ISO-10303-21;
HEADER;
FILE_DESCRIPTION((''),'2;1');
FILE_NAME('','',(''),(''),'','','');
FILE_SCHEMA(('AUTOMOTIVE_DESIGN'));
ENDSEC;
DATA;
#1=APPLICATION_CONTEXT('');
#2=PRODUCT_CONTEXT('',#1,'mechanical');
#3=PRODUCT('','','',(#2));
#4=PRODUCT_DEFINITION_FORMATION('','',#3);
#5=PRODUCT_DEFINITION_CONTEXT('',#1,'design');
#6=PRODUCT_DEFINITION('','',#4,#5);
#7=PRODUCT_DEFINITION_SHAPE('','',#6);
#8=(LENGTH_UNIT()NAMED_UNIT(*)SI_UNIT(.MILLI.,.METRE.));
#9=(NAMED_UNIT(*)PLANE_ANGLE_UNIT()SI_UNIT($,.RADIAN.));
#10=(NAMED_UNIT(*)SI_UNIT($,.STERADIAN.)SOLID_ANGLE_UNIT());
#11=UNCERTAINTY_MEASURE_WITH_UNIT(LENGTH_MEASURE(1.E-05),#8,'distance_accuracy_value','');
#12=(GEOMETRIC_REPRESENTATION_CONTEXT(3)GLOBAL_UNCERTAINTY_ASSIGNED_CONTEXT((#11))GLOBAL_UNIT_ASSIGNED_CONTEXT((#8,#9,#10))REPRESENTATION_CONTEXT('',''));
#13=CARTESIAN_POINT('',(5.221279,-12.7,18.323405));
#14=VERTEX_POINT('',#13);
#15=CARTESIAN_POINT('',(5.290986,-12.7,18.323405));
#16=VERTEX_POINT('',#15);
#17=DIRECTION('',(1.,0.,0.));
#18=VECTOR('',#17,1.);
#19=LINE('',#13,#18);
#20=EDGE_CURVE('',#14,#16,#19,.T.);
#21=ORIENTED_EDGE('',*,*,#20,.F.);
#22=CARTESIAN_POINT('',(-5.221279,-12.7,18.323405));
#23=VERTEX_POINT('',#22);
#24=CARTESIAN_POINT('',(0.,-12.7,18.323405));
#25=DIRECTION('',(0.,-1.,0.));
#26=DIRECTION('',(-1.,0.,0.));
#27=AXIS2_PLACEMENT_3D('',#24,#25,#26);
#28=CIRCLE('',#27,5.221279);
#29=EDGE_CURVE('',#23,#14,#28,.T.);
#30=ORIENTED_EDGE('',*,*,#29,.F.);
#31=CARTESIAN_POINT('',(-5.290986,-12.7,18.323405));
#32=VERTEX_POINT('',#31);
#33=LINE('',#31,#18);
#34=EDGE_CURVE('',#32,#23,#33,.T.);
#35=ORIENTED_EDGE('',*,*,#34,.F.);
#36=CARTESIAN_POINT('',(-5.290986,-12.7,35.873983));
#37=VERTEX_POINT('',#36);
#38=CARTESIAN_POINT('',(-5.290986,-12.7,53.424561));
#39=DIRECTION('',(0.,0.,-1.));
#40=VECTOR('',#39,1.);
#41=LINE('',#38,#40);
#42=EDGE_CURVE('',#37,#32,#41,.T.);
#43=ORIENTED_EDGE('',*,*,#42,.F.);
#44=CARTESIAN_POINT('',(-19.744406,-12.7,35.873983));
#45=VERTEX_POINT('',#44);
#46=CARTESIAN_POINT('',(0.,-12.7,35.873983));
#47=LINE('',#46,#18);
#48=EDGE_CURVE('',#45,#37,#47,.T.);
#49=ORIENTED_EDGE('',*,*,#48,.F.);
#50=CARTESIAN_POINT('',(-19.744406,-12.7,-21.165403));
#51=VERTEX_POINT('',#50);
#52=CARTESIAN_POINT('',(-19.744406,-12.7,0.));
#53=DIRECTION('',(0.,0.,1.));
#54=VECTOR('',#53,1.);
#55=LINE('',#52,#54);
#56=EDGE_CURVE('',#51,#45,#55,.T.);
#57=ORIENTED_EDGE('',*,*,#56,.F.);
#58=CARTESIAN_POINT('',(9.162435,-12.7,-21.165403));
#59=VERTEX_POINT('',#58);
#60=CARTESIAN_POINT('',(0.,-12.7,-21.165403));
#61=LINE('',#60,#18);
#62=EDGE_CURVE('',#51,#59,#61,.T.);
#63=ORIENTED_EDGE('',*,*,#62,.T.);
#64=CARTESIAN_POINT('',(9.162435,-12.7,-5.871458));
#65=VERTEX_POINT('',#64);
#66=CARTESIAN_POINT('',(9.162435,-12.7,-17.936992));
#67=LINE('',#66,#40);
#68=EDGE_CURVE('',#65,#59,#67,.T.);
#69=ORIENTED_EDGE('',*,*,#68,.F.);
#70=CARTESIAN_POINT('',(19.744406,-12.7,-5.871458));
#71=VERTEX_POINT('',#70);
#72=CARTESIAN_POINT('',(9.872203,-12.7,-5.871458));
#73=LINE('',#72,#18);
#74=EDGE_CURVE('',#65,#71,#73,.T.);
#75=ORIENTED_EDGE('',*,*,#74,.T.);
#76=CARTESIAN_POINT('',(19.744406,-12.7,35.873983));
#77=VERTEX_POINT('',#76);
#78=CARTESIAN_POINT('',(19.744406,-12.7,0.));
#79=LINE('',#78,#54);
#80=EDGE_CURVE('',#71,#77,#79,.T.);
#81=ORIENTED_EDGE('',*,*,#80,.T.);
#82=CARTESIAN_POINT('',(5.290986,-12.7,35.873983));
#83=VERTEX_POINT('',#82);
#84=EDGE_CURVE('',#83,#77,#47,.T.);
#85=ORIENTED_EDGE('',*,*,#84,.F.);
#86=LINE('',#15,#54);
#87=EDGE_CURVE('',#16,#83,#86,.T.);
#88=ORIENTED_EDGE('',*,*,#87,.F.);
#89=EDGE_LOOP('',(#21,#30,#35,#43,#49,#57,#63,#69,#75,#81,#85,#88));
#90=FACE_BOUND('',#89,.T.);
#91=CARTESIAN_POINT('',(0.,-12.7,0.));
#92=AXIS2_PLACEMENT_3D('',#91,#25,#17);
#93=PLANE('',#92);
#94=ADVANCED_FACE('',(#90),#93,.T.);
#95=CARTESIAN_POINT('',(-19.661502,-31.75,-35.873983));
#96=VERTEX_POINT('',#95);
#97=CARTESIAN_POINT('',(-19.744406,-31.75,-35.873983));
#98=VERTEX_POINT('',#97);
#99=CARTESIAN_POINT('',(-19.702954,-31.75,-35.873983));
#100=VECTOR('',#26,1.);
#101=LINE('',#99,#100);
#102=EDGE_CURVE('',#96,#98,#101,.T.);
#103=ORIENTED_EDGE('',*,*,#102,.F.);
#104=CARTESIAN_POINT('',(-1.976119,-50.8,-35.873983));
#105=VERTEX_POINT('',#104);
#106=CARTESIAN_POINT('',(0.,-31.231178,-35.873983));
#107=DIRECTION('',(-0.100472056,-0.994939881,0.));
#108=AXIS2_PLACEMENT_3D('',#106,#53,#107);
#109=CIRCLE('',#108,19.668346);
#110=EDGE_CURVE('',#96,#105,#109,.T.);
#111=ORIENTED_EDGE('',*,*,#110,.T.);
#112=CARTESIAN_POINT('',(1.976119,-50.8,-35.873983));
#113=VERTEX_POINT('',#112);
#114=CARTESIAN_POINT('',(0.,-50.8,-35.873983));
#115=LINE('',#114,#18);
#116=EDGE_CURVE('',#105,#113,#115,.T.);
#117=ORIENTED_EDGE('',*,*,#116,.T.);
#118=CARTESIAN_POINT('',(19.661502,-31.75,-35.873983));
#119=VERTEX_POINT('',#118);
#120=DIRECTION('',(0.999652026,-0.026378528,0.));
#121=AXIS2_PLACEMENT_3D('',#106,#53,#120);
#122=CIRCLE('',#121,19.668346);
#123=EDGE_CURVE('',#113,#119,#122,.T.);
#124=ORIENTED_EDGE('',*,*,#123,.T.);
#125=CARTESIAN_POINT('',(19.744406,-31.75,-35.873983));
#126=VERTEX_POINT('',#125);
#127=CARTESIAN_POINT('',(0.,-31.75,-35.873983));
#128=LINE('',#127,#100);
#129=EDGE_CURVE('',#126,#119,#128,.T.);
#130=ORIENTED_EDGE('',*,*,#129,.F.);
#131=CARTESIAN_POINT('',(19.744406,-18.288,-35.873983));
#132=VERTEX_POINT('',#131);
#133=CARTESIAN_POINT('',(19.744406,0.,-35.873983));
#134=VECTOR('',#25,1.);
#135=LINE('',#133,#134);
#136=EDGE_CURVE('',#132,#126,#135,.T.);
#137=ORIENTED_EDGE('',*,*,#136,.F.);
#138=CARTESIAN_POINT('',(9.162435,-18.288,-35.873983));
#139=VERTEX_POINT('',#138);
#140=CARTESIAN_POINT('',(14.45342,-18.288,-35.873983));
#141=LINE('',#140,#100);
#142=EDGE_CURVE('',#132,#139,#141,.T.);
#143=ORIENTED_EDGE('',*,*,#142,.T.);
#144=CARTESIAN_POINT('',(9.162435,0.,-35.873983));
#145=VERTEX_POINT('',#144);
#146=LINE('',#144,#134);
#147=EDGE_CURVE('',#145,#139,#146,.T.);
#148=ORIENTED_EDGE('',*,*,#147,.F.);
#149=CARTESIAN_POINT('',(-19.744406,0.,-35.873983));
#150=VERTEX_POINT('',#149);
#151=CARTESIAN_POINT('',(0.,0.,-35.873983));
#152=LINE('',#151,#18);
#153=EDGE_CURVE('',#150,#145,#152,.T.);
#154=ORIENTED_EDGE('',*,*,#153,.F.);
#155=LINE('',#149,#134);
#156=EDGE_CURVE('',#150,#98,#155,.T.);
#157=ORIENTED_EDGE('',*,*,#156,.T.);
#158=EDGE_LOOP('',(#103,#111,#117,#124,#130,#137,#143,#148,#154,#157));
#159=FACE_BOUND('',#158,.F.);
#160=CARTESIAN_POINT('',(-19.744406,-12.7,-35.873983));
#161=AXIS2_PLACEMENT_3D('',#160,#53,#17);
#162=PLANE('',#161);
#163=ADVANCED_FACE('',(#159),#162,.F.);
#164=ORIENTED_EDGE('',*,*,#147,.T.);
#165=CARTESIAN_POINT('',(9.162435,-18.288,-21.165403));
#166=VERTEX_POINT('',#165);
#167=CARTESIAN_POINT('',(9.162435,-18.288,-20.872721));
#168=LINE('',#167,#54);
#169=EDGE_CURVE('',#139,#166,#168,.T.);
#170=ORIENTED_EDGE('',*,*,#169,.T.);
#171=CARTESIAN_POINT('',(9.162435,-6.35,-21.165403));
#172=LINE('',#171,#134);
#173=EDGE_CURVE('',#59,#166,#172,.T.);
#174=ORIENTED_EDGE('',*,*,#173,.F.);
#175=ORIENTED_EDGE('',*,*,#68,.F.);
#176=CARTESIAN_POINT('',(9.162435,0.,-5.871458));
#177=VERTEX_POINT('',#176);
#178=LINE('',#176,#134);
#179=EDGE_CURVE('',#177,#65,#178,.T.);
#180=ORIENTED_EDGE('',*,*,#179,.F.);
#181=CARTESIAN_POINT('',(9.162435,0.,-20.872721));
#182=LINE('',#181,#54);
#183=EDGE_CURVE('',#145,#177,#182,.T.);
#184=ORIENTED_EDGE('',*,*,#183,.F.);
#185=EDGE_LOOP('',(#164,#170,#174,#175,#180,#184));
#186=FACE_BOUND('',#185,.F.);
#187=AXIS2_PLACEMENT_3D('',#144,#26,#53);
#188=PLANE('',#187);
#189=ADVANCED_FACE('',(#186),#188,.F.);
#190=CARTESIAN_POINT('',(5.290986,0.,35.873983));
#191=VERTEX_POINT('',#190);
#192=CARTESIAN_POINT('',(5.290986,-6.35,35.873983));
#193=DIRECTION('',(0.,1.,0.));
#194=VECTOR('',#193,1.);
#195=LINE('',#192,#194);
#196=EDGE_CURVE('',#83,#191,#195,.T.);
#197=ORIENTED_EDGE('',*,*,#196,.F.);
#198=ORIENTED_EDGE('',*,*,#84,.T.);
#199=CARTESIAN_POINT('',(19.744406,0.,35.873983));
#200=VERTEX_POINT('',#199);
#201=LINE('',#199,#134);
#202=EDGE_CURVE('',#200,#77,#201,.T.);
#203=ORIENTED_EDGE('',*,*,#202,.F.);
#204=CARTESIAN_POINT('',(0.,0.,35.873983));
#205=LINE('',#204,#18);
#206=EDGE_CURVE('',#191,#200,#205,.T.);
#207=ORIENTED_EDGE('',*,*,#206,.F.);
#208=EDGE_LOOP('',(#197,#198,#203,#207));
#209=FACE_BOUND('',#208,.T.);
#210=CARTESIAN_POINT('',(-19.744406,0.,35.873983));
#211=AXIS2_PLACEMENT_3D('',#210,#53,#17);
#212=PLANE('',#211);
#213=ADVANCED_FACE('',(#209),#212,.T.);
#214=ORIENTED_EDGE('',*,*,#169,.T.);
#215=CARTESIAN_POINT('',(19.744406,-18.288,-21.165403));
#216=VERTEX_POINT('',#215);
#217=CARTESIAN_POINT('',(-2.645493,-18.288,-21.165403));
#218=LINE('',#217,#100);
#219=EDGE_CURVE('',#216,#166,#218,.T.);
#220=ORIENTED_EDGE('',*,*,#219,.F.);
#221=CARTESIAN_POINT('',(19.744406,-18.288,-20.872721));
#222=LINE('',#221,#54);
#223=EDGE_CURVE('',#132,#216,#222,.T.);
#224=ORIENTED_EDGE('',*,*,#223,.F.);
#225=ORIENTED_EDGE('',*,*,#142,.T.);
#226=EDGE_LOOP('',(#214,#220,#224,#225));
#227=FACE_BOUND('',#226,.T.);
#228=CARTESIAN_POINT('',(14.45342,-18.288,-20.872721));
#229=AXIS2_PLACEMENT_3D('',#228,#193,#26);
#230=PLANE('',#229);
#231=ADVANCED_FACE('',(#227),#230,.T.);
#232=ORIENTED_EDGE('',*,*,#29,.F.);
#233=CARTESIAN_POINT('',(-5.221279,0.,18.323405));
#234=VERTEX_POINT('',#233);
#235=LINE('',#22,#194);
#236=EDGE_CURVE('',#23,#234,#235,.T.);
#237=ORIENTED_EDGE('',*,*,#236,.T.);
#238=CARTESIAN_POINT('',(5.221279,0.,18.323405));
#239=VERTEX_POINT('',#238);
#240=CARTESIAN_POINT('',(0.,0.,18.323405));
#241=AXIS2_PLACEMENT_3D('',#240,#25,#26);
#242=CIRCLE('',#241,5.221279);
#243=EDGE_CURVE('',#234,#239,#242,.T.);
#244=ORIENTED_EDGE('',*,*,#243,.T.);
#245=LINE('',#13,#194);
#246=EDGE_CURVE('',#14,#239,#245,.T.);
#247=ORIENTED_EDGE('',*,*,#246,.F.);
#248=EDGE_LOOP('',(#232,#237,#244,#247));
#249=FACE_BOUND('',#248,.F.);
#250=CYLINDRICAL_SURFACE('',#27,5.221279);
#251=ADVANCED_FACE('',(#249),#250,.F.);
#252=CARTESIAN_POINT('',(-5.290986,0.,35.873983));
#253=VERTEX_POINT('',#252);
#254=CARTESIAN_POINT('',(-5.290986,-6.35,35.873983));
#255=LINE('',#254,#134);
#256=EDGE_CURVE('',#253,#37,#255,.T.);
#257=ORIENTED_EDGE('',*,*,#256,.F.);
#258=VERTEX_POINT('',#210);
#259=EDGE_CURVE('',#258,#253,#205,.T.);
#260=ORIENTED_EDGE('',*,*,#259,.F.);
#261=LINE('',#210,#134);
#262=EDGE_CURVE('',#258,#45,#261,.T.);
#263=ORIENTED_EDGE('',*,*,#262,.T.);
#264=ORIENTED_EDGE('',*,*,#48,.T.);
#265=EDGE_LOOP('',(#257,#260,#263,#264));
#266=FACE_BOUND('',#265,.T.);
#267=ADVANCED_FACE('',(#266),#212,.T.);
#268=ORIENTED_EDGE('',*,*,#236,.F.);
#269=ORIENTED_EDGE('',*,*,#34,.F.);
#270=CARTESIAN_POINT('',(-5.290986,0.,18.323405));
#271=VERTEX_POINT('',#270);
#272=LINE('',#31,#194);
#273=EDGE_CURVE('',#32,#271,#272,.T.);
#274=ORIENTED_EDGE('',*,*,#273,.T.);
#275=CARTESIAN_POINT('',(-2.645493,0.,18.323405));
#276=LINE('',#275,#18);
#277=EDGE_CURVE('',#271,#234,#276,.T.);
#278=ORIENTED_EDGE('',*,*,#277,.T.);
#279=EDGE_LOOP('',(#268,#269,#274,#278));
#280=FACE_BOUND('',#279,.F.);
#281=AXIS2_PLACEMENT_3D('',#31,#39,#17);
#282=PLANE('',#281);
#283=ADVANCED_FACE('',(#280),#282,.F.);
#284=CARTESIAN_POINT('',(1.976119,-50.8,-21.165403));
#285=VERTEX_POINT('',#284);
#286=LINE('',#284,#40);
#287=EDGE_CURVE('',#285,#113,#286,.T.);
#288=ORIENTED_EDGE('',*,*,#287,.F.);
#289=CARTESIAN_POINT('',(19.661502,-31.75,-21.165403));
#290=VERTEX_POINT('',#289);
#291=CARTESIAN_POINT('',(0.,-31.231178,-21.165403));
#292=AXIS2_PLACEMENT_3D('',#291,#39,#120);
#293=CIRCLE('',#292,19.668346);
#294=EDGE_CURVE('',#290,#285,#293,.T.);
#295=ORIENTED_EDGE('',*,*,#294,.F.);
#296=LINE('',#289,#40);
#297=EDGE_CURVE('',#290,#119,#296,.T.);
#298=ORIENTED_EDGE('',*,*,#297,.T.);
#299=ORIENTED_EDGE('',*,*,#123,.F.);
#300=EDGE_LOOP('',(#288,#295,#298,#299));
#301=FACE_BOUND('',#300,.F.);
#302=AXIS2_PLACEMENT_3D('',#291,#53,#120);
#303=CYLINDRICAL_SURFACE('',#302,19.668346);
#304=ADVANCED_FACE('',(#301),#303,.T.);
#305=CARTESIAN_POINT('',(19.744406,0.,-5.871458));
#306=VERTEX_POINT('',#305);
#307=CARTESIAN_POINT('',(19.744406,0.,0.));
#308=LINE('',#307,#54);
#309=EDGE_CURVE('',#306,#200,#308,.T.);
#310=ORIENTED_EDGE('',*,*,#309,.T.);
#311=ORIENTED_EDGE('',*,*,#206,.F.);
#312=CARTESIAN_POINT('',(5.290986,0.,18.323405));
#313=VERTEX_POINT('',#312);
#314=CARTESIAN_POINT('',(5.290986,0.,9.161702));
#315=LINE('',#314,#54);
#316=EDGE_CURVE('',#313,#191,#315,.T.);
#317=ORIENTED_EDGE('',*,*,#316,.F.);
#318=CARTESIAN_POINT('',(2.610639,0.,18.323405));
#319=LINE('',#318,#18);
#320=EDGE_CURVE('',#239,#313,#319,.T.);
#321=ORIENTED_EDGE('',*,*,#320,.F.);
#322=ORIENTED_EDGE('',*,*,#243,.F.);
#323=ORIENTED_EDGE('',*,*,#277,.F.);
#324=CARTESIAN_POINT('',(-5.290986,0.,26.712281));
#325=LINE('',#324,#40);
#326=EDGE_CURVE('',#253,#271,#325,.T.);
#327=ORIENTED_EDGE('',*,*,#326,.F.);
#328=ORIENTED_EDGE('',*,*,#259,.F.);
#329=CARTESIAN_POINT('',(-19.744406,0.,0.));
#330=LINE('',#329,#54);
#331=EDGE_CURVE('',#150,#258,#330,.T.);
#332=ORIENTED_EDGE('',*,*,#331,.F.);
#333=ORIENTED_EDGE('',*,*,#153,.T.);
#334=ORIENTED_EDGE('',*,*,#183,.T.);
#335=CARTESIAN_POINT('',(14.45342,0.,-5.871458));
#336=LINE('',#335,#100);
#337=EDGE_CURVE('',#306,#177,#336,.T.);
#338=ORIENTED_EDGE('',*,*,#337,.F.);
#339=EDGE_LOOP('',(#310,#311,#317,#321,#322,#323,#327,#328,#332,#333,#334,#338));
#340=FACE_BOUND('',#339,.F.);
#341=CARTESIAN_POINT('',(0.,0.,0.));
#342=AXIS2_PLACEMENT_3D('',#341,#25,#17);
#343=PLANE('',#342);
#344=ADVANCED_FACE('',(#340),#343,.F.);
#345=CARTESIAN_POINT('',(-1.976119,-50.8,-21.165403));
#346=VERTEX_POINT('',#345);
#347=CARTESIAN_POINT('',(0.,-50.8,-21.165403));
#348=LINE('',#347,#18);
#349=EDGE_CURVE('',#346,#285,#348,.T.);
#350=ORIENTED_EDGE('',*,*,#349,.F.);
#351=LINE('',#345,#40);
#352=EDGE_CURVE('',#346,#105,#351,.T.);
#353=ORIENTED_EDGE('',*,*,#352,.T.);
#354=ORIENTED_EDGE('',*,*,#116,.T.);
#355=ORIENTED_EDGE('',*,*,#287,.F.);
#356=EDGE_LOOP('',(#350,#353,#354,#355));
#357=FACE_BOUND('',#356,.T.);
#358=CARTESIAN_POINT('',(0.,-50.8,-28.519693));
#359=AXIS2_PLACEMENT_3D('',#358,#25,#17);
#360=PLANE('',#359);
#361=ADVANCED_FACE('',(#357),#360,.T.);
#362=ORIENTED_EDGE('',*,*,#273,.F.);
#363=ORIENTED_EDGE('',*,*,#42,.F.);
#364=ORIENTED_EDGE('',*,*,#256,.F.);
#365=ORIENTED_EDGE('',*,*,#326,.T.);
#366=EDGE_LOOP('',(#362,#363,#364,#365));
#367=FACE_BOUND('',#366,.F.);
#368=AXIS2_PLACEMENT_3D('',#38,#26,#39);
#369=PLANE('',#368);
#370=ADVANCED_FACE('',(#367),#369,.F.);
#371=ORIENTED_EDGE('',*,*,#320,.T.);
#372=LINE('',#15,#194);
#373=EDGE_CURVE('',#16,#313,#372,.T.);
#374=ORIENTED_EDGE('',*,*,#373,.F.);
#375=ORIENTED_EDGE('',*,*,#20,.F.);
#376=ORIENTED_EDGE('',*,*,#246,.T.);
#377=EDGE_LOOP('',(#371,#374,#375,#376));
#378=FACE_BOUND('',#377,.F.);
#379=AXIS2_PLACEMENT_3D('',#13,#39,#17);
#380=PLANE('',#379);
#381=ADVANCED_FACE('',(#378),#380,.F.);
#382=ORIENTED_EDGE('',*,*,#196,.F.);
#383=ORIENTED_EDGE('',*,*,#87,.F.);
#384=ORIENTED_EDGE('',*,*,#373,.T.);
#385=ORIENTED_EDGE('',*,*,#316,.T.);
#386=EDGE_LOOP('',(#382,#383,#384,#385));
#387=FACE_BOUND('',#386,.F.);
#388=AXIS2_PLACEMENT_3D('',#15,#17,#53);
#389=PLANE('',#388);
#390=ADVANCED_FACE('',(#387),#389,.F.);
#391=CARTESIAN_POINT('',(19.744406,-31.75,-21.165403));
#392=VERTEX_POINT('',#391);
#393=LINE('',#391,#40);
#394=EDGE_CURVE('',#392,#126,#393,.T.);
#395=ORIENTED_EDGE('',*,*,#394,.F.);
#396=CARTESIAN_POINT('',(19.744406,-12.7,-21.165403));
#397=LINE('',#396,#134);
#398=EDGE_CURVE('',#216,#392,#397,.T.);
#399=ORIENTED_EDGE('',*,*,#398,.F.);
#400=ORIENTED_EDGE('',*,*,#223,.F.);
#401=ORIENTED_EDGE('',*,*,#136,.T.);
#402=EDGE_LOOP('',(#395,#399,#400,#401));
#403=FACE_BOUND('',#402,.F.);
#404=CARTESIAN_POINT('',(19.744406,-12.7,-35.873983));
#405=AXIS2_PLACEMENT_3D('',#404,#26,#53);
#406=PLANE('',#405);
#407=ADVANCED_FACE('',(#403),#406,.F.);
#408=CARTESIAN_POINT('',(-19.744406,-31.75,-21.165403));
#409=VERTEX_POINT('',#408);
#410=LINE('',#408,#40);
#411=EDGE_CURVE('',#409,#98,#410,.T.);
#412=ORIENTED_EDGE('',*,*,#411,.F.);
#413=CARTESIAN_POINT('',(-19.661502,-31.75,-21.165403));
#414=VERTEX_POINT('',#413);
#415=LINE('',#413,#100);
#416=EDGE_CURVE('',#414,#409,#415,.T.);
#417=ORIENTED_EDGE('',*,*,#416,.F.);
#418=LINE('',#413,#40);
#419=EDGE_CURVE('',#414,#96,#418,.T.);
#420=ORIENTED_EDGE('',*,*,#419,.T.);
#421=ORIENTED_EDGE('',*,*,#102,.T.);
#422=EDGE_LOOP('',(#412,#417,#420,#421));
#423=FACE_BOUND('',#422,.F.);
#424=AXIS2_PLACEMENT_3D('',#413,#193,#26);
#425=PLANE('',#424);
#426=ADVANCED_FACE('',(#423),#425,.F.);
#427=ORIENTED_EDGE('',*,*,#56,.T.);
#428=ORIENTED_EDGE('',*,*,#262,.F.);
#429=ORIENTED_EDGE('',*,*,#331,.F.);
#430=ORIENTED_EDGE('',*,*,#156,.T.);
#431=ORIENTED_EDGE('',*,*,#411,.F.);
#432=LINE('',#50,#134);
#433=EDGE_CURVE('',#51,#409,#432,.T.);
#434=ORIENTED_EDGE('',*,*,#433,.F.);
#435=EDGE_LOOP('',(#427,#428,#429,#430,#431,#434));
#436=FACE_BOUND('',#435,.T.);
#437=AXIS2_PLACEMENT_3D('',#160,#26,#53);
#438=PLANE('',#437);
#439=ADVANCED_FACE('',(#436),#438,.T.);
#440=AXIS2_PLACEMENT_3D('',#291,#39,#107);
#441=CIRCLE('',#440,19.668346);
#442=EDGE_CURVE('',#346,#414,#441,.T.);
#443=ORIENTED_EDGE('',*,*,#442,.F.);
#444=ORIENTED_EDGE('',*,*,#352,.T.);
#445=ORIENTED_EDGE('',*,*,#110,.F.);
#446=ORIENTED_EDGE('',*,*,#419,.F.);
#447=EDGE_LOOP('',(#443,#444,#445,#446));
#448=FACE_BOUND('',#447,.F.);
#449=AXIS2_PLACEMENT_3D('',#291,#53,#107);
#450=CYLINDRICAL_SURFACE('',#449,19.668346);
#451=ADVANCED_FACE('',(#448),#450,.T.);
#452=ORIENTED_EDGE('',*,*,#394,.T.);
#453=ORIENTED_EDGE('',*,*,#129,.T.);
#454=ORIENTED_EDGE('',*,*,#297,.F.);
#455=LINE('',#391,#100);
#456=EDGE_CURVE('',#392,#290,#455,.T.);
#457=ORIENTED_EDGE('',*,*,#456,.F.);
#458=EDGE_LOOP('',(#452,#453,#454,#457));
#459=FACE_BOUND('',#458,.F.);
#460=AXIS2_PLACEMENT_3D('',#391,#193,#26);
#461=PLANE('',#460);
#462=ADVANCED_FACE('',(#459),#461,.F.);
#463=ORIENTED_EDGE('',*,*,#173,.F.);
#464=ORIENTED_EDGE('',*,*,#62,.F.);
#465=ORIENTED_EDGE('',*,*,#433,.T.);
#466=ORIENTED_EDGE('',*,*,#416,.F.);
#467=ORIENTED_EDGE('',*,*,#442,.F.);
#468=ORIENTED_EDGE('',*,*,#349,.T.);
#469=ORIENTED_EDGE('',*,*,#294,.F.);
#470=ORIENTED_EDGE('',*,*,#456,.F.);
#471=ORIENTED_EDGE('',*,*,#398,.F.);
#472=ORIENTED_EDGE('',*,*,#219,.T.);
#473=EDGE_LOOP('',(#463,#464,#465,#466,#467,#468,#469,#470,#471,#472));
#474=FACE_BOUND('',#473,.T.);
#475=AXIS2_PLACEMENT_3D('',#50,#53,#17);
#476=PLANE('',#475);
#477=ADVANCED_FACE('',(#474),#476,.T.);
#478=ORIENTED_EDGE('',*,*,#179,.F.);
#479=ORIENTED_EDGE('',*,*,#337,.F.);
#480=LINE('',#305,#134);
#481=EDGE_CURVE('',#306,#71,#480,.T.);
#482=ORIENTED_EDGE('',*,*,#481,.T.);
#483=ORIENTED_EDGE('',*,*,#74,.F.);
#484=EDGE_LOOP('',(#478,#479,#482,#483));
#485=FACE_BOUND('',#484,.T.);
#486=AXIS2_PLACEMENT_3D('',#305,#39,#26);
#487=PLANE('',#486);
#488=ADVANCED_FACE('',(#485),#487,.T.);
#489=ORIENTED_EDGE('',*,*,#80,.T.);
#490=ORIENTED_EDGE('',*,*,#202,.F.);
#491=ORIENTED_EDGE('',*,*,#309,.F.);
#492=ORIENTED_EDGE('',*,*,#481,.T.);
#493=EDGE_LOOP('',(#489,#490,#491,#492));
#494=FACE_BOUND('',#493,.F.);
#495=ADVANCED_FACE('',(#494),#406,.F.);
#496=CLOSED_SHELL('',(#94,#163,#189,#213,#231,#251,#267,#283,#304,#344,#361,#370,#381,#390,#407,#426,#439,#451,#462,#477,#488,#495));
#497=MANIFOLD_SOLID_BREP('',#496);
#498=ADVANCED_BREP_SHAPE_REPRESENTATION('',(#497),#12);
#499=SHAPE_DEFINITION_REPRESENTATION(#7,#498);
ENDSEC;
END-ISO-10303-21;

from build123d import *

# Parameters (mm, degrees)
F0_W     = 39.4888110459
F0_H     = 71.7479661107
F1_DEPTH = 12.7
F2_W     = 39.4888110459
F2_H     = 14.7085804492
F3_DEPTH = 38.1
F5_DEPTH = 25.4
F7_DEPTH = 25.4
F8_W     = 10.5819702148
F8_H     = 30.0025250763
F9_DEPTH = 18.288


with BuildPart() as f1:
    # F0 (on Front) → F1 (new body)
    with BuildSketch(Plane.XZ):
        Rectangle(F0_W, F0_H)
    extrude(amount=F1_DEPTH)

    # F2 (on face) → F3 (join)
    with BuildSketch(Plane.XZ.offset(12.7)):
        with Locations((0, -28.5196928307)):
            Rectangle(F2_W, F2_H)
    extrude(amount=F3_DEPTH)

    # F4 (on face) → F5 (cut)
    with BuildSketch(Plane.XZ.offset(12.7)):
        with BuildLine():
            Line((-5.2909860387, 53.4245613962), (-5.2909860387, 18.3234047145))
            Line((-5.2909860387, 18.3234047145), (-5.2212785764, 18.3234047145))
            ThreePointArc((-5.2212785764, 18.3234047145), (0, 13.1021261381), (5.2212785764, 18.3234047145))
            Line((5.2212785764, 18.3234047145), (5.2909860387, 18.3234047145))
            Line((5.2909860387, 18.3234047145), (5.2909860387, 53.4245613962))
            Line((5.2909860387, 53.4245613962), (-5.2909860387, 53.4245613962))
        make_face()
    extrude(amount=-F5_DEPTH, mode=Mode.SUBTRACT)

    # F6 (on face) → F7 (cut)
    with BuildSketch(Plane.XY.offset(-21.1654026061)):
        with BuildLine():
            ThreePointArc((-1.976119183, -50.8), (-14.4143084854, -44.6129399446), (-19.6615021384, -31.75))
            Line((-19.6615021384, -31.75), (-19.7444055229, -31.75))
            Line((-19.7444055229, -31.75), (-19.7444055229, -50.8))
            Line((-19.7444055229, -50.8), (-1.976119183, -50.8))
        make_face()
        with BuildLine():
            Line((19.7444055229, -31.75), (19.6615021384, -31.75))
            ThreePointArc((19.6615021384, -31.75), (14.4143084854, -44.6129399446), (1.976119183, -50.8))
            Line((1.976119183, -50.8), (19.7444055229, -50.8))
            Line((19.7444055229, -50.8), (19.7444055229, -31.75))
        make_face()
    extrude(amount=-F7_DEPTH, mode=Mode.SUBTRACT)

    # F8 (on face) → F9 (cut)
    with BuildSketch(Plane(origin=(0, 0, 0), x_dir=(-1, 0, 0), z_dir=(0, 1, 0))):
        with Locations((-14.4534204155, -20.8727205172)):
            Rectangle(F8_W, F8_H)
    extrude(amount=-F9_DEPTH, mode=Mode.SUBTRACT)


solid = f1.part
